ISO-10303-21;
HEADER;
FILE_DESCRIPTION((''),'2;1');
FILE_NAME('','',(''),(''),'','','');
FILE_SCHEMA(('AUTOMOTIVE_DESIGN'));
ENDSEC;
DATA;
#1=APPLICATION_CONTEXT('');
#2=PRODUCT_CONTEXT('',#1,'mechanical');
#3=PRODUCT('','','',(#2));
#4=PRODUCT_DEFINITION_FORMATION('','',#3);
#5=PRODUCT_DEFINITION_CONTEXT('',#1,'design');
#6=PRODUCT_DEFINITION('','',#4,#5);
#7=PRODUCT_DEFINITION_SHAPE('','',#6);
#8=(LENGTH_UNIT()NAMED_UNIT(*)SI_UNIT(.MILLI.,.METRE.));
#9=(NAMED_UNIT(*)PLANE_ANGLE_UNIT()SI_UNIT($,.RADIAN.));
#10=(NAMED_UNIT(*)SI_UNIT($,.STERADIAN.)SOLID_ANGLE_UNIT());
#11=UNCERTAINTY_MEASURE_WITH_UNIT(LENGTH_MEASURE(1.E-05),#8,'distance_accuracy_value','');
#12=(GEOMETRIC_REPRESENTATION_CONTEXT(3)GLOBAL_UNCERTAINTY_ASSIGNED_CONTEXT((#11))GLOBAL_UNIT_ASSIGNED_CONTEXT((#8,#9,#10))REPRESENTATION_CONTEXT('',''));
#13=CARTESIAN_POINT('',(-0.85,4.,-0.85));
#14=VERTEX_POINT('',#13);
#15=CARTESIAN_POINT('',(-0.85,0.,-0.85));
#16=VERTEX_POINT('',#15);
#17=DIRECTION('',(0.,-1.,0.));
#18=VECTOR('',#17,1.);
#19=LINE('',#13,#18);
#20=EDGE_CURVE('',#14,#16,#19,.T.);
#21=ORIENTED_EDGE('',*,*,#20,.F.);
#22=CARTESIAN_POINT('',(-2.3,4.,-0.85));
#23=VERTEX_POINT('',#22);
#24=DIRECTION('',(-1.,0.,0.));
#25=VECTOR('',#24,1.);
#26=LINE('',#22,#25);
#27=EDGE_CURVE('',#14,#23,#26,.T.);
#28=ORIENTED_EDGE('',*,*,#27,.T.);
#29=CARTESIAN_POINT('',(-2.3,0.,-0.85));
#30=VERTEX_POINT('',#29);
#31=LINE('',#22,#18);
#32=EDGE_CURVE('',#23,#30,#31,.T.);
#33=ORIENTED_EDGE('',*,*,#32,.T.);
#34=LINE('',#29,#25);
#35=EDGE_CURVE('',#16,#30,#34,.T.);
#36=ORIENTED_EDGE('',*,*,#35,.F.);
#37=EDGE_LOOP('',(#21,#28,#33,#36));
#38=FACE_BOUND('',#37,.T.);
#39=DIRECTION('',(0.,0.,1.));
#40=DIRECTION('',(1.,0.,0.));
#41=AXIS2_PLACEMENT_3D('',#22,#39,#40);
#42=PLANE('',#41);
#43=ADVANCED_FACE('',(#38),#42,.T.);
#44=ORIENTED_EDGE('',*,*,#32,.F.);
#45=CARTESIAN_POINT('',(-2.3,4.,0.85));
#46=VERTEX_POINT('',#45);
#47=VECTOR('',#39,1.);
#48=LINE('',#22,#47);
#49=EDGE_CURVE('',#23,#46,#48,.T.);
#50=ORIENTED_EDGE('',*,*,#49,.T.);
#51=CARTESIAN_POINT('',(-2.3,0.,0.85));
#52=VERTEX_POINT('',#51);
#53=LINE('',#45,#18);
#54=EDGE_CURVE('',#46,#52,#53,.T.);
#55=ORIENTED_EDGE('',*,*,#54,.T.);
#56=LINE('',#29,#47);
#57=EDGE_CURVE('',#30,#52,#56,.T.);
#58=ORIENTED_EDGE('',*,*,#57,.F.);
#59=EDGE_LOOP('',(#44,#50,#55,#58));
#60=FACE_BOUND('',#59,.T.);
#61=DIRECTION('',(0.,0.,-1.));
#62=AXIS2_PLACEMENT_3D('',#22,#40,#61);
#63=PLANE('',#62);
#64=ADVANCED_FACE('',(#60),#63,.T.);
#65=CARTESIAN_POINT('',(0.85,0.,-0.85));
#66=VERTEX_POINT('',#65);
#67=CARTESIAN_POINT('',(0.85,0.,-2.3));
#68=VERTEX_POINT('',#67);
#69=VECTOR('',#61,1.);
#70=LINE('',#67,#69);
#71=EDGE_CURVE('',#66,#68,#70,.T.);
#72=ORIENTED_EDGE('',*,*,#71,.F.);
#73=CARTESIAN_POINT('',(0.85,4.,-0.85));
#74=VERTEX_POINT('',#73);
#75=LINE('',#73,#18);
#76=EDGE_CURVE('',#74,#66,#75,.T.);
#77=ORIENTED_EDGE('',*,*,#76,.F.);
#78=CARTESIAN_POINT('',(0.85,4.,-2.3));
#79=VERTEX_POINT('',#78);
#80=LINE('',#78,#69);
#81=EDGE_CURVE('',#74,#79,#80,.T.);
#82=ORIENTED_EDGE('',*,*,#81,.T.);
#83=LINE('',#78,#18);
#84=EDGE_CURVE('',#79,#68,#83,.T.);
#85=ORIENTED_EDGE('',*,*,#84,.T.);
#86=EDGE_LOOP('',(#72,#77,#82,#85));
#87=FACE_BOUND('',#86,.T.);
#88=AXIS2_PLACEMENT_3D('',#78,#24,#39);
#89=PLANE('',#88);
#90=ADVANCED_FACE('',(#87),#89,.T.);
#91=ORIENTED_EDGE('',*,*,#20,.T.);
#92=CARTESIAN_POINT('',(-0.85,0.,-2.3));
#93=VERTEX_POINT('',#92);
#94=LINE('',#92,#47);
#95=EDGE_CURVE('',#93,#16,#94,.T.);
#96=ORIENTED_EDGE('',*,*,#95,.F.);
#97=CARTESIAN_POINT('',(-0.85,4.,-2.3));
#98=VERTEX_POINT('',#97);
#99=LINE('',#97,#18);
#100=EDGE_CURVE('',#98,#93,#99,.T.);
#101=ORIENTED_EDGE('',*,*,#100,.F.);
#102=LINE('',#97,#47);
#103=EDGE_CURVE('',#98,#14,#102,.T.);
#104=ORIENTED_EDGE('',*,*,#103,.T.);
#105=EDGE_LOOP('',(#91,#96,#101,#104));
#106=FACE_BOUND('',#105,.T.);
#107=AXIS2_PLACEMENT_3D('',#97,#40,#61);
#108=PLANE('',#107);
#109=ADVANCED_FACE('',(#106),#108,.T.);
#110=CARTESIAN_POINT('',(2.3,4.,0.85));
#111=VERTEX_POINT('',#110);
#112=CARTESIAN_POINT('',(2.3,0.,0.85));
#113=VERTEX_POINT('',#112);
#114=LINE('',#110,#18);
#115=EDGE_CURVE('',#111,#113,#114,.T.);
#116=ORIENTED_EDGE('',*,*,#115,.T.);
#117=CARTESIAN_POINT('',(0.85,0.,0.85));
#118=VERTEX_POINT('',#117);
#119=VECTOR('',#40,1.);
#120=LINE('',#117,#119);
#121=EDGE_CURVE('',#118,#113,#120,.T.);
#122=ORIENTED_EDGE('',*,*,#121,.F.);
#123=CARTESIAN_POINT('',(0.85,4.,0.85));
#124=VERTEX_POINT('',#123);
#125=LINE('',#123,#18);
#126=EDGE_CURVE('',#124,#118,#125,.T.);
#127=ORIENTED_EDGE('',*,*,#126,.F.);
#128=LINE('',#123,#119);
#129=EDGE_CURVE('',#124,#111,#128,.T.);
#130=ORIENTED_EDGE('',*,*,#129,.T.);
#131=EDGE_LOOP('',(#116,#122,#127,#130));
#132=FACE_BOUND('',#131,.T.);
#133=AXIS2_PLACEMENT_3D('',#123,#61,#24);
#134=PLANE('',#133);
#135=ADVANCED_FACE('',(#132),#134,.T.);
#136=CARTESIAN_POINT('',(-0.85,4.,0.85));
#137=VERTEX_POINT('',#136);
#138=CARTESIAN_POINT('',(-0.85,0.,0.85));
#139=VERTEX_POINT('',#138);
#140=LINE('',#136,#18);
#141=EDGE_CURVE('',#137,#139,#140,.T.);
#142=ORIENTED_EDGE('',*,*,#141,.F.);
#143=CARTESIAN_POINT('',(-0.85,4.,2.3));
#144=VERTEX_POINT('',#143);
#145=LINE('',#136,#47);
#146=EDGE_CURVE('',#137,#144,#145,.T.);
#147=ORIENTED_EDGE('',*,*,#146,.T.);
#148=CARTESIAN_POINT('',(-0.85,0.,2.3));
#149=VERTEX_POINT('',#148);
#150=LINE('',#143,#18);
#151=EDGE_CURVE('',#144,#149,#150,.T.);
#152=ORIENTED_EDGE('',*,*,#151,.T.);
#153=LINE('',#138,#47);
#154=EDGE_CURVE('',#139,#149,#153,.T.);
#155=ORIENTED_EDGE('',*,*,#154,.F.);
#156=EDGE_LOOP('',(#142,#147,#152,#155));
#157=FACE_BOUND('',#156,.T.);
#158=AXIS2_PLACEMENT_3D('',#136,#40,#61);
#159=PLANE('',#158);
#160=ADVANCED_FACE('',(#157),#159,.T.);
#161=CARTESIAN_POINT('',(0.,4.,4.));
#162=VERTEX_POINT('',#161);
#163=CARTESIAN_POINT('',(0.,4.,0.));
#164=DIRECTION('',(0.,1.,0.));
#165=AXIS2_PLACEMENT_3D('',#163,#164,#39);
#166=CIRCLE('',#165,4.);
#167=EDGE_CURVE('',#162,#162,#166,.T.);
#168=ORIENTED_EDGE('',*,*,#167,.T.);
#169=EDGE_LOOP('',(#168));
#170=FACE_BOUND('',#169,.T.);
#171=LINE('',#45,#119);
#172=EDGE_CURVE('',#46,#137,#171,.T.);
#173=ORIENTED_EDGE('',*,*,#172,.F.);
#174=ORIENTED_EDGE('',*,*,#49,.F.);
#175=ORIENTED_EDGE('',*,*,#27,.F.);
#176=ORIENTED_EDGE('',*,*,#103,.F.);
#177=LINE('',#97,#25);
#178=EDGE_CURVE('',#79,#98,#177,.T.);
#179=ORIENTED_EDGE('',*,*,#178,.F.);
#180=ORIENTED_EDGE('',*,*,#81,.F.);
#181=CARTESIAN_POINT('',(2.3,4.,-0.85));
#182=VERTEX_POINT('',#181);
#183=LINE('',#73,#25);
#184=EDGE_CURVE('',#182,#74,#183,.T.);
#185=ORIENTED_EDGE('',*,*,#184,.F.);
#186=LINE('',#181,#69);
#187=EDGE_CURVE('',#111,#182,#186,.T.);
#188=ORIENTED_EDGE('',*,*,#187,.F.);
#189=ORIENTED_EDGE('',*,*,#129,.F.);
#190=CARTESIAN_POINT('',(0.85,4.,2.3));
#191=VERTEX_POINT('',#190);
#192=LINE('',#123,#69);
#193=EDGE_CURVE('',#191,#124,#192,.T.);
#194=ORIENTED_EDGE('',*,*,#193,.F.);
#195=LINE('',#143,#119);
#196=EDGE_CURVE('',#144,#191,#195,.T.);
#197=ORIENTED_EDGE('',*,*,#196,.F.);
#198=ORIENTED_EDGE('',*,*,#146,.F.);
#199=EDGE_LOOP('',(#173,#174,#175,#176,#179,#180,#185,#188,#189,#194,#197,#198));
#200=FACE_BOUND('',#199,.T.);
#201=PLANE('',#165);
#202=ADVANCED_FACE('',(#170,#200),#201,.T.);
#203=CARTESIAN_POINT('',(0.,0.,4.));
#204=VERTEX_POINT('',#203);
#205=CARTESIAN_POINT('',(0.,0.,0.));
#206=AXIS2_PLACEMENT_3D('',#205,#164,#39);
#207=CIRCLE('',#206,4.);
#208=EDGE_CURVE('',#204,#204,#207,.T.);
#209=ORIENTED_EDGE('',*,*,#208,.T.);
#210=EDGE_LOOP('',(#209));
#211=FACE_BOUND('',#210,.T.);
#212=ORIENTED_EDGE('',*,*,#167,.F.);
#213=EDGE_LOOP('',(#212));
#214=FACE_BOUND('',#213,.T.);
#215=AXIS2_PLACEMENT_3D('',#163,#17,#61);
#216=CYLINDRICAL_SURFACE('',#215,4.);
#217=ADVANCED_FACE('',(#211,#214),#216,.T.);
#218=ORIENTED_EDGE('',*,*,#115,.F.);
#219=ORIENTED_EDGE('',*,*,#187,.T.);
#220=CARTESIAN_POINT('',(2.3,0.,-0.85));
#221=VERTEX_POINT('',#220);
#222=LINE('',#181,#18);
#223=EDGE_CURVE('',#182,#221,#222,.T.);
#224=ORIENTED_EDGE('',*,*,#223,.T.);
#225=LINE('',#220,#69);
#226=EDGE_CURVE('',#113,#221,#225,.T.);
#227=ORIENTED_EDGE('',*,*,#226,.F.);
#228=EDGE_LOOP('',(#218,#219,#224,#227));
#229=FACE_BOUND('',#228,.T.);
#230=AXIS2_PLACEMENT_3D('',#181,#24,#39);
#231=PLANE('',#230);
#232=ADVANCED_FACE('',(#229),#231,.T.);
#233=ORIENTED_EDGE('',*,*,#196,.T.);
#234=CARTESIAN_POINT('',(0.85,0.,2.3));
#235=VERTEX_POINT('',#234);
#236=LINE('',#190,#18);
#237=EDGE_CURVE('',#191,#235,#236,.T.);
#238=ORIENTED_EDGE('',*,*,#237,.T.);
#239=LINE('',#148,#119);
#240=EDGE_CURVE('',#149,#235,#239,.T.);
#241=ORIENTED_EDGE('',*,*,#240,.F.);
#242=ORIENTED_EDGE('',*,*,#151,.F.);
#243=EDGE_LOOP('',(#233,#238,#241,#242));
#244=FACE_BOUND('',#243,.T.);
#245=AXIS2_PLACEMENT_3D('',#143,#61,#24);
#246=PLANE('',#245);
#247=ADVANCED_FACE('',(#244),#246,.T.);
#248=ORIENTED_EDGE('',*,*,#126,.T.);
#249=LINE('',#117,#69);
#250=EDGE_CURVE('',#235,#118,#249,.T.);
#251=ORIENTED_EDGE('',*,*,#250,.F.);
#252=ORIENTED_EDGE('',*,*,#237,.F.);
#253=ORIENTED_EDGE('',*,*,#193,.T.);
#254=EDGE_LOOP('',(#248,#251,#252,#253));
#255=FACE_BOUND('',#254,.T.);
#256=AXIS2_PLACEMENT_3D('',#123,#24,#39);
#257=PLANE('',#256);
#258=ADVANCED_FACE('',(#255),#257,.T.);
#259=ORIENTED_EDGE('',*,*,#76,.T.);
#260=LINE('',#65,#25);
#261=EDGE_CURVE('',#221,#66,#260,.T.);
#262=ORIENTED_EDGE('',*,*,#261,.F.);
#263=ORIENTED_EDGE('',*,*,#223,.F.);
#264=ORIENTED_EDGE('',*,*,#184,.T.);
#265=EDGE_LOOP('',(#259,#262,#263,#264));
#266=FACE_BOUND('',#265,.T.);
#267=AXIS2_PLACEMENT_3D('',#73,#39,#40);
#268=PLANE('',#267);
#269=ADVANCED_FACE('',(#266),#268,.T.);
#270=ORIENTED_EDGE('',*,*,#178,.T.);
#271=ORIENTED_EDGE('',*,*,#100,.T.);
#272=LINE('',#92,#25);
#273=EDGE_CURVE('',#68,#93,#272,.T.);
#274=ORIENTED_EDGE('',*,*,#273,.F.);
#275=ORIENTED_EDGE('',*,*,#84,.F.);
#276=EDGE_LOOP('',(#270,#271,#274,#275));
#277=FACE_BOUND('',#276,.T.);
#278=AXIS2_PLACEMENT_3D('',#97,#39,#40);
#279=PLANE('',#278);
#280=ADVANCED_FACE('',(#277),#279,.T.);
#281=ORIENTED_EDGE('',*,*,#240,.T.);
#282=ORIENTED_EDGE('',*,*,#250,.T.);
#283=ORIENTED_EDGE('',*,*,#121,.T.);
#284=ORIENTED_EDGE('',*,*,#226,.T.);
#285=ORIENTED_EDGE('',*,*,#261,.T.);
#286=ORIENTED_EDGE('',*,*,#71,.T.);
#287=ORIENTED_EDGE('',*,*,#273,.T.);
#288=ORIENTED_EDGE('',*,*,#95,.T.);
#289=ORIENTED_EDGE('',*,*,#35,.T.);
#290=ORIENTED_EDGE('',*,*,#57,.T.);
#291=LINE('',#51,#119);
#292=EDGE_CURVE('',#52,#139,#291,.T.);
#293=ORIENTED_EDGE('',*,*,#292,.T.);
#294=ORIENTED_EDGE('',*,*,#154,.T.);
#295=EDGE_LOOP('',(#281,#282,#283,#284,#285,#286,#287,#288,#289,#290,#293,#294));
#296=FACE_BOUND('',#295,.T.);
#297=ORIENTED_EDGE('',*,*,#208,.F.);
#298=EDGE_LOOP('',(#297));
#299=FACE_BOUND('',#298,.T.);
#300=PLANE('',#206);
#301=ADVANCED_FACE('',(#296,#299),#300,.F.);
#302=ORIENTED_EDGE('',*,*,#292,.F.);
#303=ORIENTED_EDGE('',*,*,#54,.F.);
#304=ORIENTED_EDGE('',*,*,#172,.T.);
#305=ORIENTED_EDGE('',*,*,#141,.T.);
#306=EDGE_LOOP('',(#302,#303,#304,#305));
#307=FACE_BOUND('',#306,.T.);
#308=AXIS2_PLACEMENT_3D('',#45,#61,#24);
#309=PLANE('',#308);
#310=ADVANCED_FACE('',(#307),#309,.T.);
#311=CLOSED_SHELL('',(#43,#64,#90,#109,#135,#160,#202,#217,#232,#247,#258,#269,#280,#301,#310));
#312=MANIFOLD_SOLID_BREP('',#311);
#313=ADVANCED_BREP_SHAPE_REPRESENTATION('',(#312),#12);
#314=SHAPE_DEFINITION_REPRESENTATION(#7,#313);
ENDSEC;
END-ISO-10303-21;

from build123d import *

# Parameters (mm, degrees)
SKETCH2_R           = 4
BOSS_EXTRUDE1_DEPTH = 4


with BuildPart() as part:
    # Sketch2 → Boss-Extrude1 (new body)
    with BuildSketch(Plane(origin=(0, 0, 0), x_dir=(1, 0, 0), z_dir=(0, 1, 0))):
        with Locations(Location((0, 0, 0), (0, 0, 270))):
            Circle(SKETCH2_R)
        Polygon((0.85, 0.85), (2.3, 0.85), (2.3, -0.85), (0.85, -0.85), (0.85, -2.3), (-0.85, -2.3), (-0.85, -0.85), (-2.3, -0.85), (-2.3, 0.85), (-0.85, 0.85), (-0.85, 2.3), (0.85, 2.3), align=None, mode=Mode.SUBTRACT)
    extrude(amount=BOSS_EXTRUDE1_DEPTH)


solid = part.part
